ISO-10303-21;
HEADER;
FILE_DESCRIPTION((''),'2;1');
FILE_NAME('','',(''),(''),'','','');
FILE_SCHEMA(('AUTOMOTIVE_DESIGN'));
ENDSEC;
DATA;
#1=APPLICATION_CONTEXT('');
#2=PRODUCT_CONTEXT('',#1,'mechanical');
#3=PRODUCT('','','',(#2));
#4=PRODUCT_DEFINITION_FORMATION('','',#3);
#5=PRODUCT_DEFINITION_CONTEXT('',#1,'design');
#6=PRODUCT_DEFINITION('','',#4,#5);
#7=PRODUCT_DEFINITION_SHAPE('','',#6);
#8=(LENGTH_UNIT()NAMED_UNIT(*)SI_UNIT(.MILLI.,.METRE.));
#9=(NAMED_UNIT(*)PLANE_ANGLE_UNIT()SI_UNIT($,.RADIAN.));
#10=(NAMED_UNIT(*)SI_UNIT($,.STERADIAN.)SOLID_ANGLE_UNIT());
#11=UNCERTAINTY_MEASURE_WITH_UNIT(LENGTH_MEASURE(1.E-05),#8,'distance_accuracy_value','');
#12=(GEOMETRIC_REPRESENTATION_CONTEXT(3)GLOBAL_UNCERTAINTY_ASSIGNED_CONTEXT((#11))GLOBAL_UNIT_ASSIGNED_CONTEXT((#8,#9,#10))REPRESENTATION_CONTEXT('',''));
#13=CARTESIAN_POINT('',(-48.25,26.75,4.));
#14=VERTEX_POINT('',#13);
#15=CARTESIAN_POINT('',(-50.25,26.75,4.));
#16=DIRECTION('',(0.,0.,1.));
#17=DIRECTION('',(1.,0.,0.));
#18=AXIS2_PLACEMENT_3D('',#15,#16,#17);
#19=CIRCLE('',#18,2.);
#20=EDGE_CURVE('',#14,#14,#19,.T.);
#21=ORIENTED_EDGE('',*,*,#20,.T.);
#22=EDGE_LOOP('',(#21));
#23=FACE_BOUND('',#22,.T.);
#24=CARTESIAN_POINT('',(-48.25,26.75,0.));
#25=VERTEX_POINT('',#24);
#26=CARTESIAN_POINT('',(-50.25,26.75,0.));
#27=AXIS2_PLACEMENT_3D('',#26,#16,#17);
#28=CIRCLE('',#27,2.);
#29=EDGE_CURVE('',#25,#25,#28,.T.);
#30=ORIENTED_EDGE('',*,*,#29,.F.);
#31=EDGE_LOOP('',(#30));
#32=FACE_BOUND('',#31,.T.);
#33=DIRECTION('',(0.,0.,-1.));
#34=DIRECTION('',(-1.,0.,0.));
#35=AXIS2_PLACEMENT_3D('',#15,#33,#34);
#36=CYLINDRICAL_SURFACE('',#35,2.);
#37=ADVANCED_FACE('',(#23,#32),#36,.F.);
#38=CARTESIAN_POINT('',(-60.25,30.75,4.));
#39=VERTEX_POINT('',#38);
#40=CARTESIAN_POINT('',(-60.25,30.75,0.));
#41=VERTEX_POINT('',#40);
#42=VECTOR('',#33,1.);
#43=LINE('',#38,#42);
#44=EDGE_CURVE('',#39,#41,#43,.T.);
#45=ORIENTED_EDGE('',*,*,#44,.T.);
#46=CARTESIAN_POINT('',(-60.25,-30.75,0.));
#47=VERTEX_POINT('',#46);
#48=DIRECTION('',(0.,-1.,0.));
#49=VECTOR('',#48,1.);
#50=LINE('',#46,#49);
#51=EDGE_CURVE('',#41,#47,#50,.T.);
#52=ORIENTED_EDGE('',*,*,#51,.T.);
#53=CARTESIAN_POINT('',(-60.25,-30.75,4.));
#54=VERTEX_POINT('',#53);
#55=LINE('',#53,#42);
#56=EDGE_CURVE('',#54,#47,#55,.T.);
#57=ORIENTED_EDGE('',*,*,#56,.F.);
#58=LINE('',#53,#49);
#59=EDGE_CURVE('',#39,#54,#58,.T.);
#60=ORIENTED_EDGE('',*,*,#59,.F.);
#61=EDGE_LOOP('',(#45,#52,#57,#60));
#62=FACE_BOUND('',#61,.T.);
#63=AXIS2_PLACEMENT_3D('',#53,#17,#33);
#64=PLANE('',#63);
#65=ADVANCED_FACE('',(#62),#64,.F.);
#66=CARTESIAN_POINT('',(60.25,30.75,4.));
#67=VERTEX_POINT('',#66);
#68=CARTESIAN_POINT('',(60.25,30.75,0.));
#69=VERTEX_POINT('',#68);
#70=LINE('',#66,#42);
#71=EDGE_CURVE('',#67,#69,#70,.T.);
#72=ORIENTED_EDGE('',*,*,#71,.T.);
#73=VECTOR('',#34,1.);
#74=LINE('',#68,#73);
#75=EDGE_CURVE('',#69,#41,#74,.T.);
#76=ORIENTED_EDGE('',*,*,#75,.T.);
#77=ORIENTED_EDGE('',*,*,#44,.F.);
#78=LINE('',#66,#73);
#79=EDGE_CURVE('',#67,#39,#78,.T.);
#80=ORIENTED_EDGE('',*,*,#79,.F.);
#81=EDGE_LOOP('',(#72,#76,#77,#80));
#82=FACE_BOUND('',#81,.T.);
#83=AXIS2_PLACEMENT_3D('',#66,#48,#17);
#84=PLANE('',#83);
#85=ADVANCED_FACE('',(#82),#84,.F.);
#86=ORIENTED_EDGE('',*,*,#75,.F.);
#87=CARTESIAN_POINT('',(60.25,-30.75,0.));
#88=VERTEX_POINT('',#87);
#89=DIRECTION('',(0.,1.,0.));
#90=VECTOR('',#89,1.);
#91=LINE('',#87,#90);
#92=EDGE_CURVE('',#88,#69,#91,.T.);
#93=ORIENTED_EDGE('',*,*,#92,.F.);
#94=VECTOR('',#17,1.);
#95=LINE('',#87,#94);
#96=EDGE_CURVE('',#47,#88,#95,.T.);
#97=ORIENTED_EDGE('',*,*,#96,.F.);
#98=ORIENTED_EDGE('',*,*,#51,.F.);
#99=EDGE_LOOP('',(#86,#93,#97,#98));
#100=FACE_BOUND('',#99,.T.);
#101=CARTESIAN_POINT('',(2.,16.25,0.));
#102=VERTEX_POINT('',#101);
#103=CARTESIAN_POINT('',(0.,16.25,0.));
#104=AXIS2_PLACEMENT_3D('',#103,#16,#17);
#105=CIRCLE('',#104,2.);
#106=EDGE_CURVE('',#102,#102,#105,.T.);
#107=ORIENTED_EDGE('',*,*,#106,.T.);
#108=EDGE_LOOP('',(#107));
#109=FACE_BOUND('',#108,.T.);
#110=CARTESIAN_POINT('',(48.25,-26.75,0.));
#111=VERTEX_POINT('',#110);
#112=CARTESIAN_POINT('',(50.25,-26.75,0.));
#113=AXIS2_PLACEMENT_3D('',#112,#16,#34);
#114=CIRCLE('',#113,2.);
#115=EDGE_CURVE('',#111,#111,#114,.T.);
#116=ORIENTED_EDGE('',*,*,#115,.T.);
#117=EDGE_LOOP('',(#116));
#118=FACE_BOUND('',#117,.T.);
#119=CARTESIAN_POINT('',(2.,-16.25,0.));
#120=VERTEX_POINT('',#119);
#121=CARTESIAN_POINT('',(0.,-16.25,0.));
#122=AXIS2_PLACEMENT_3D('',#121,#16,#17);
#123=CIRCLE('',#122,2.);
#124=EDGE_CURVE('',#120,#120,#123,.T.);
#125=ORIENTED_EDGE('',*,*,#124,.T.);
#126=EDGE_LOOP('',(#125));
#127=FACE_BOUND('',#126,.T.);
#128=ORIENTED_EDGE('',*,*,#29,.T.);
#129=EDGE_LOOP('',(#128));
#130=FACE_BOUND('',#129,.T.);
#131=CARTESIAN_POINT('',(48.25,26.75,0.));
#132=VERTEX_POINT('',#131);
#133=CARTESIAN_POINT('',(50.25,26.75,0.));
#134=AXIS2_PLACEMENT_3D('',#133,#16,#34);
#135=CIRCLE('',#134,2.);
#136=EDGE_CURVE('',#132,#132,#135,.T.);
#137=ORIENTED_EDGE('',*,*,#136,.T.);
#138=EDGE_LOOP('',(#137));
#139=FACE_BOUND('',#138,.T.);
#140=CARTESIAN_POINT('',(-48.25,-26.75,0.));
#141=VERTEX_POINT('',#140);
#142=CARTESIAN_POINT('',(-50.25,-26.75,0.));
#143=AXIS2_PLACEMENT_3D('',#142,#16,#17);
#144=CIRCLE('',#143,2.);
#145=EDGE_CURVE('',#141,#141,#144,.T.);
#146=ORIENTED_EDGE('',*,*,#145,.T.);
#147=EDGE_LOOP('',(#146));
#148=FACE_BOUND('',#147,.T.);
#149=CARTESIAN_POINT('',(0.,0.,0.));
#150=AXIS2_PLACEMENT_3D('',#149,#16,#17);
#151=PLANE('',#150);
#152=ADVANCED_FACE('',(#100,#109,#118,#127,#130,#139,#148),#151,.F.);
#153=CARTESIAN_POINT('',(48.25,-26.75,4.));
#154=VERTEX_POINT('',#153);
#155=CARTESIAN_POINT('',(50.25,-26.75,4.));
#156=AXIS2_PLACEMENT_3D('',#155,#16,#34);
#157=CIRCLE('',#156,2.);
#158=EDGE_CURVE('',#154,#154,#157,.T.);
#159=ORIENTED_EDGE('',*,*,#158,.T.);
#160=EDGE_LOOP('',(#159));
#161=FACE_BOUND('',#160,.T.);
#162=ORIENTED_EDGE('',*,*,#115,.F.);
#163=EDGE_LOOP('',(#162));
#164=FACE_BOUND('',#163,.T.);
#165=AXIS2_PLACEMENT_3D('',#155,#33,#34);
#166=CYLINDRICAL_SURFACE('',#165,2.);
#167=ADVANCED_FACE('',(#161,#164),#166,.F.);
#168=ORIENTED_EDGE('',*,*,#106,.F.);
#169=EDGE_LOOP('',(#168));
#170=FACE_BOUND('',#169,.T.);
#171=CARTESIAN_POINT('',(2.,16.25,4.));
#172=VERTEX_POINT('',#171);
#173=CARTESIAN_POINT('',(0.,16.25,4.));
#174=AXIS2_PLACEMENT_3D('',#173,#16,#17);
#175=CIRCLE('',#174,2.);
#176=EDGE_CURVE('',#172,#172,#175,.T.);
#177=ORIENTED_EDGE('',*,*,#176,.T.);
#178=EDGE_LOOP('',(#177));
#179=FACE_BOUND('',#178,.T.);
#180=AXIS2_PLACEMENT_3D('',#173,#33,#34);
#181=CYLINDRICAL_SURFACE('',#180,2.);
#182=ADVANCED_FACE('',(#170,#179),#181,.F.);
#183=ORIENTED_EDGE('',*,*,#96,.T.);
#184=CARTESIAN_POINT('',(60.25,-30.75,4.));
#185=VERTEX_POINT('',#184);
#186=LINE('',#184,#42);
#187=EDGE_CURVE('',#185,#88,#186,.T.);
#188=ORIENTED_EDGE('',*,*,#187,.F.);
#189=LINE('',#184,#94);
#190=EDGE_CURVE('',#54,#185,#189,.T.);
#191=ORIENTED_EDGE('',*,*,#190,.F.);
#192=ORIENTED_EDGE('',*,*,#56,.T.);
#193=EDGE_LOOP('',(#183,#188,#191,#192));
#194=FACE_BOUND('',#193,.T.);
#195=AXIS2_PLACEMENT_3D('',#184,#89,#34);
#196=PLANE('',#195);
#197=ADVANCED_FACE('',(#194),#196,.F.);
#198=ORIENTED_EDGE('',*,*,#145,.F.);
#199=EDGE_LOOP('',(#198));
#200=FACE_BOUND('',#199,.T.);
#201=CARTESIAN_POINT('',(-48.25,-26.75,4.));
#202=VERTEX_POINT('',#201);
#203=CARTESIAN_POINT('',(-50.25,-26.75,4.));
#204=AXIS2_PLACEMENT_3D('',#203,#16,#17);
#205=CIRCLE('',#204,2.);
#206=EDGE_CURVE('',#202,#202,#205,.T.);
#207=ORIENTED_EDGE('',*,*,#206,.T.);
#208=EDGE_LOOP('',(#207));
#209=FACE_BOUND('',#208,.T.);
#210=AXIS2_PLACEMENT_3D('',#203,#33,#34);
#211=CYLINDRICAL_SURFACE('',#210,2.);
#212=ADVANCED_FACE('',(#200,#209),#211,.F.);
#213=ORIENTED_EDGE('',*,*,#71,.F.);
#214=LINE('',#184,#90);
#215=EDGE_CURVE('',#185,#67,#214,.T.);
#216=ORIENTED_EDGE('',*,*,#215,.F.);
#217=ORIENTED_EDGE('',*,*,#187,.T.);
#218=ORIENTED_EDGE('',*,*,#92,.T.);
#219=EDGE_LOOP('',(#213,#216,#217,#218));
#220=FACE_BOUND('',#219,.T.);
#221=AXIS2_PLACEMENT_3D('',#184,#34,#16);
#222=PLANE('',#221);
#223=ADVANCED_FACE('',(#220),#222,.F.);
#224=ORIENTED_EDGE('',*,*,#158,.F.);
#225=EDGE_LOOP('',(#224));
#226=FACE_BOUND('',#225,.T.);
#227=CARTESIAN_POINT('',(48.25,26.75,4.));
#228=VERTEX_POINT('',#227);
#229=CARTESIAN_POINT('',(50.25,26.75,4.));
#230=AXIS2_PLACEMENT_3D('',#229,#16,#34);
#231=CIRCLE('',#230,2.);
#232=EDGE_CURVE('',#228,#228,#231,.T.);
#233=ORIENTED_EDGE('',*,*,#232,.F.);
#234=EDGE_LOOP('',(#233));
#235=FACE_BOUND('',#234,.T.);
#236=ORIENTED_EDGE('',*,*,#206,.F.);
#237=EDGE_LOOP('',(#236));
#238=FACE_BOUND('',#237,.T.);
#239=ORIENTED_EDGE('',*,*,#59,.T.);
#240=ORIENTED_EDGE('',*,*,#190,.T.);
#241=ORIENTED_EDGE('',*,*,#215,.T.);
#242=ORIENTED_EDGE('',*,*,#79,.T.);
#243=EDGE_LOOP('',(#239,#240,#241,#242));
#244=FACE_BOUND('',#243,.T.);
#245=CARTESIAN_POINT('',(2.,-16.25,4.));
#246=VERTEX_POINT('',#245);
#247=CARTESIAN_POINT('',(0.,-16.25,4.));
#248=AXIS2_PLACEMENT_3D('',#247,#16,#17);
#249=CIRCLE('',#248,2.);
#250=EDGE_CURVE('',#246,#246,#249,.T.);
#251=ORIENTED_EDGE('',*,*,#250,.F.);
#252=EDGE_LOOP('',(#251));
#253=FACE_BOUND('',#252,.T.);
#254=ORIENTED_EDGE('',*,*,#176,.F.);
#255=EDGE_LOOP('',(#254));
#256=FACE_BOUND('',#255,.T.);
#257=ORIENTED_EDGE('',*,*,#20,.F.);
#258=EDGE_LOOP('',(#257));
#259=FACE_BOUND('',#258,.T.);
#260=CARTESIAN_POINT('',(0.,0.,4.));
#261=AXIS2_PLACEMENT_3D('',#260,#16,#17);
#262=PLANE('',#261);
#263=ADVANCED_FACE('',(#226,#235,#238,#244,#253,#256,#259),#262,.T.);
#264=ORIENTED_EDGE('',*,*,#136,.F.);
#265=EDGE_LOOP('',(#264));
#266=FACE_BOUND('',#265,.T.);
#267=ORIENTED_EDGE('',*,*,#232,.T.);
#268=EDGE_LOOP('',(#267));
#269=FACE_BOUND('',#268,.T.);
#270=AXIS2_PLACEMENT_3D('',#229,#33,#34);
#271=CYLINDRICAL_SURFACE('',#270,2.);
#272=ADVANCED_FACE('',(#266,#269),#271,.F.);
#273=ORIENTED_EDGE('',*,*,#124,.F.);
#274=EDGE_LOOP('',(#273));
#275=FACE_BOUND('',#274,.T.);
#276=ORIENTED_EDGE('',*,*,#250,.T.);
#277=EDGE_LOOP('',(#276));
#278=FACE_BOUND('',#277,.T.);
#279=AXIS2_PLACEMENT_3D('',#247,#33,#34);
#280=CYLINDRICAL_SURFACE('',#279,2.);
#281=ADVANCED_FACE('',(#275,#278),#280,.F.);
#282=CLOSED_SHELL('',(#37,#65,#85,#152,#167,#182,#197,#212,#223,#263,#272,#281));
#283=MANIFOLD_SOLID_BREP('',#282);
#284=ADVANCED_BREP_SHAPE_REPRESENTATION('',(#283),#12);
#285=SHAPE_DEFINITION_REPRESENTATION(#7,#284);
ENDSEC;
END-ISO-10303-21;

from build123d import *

# Parameters (mm, degrees)
CROQUIS1_W              = 120.5
CROQUIS1_H              = 61.5
CROQUIS1_R              = 2
SALIENTE_EXTRUIR1_DEPTH = 4


with BuildPart() as part:
    # Croquis1 → Saliente-Extruir1 (new body)
    with BuildSketch(Plane.XY):
        Rectangle(CROQUIS1_W, CROQUIS1_H)
        with Locations((-50.25, 26.75)):
            Circle(CROQUIS1_R, mode=Mode.SUBTRACT)
        with Locations((-50.25, -26.75)):
            Circle(CROQUIS1_R, mode=Mode.SUBTRACT)
        with Locations((50.25, -26.75)):
            Circle(CROQUIS1_R, mode=Mode.SUBTRACT)
        with Locations((50.25, 26.75)):
            Circle(CROQUIS1_R, mode=Mode.SUBTRACT)
        with Locations((0, 16.25)):
            Circle(CROQUIS1_R, mode=Mode.SUBTRACT)
        with Locations((0, -16.25)):
            Circle(CROQUIS1_R, mode=Mode.SUBTRACT)
    extrude(amount=SALIENTE_EXTRUIR1_DEPTH)


solid = part.part
